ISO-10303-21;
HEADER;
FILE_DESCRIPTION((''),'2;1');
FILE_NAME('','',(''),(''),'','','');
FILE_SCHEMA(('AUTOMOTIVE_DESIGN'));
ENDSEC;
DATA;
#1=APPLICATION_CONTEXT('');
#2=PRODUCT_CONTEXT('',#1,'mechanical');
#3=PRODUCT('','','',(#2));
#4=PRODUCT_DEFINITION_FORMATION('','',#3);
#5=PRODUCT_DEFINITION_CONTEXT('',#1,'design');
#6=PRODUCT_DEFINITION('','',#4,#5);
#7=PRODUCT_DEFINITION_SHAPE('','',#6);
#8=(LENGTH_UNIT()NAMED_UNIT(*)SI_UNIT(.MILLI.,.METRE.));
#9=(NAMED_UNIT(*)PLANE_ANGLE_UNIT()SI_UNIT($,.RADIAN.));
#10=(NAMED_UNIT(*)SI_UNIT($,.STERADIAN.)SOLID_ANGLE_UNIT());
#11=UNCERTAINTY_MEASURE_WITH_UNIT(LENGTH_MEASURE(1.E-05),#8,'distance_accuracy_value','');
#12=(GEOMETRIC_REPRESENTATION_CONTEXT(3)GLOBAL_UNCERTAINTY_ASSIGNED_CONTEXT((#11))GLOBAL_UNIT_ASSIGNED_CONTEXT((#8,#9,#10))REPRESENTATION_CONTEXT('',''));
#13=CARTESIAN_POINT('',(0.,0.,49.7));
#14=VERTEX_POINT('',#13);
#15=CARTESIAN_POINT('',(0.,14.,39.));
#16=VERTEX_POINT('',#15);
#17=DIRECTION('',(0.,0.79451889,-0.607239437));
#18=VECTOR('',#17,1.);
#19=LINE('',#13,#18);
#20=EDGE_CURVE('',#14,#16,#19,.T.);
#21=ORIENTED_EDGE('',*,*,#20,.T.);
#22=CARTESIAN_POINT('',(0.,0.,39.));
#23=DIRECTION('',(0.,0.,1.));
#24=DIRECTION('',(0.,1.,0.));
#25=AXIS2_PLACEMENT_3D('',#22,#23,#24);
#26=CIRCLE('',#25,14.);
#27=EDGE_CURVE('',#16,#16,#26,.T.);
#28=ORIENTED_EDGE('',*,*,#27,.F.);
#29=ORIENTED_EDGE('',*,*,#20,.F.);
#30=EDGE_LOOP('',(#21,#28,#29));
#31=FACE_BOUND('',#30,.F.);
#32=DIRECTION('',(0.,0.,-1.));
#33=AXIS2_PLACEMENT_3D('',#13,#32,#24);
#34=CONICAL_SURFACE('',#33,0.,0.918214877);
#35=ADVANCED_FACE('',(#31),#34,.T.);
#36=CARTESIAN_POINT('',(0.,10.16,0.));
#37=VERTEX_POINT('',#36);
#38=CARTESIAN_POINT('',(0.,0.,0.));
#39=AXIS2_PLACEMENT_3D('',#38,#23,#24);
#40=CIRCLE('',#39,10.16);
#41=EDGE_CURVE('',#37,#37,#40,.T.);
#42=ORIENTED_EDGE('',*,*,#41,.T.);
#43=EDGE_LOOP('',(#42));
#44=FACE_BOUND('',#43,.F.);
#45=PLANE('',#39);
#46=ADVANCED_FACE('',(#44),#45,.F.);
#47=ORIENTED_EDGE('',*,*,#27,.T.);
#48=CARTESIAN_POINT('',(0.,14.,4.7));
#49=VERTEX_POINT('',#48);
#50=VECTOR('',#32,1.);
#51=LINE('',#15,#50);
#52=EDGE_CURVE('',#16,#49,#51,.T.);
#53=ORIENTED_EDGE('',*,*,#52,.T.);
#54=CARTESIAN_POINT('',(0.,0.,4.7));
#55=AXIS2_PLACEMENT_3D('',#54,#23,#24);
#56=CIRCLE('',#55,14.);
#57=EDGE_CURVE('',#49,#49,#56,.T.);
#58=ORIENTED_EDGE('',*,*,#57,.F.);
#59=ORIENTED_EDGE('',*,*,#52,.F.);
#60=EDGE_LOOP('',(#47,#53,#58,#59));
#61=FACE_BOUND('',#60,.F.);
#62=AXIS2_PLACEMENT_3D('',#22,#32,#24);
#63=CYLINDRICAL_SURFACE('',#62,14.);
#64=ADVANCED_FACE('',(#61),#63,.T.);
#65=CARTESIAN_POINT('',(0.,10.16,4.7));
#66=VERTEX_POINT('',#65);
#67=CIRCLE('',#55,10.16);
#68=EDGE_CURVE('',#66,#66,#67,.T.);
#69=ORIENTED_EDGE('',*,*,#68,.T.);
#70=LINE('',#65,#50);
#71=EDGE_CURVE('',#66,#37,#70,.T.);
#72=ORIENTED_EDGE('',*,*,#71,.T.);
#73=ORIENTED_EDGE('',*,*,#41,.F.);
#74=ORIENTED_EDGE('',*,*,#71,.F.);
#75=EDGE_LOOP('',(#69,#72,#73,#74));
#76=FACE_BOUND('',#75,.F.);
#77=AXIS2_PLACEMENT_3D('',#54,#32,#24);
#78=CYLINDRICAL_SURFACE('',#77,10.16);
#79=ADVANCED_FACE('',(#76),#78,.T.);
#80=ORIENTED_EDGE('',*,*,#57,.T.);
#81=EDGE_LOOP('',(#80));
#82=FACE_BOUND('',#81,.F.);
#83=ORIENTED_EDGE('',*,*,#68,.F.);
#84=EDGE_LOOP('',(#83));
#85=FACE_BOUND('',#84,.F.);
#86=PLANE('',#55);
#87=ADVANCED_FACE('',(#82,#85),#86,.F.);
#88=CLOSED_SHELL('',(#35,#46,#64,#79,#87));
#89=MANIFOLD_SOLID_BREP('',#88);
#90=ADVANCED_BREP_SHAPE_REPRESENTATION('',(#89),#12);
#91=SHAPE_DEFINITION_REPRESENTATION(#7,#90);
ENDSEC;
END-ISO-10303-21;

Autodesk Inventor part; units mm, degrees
ref_plane "YZ Plane" through (0, 0, 0) normal (1, 0, 0) x (0, 1, 0)
ref_plane "XZ Plane" through (0, 0, 0) normal (0, 1, 0) x (-1, 0, 0)
ref_plane "XY Plane" through (0, 0, 0) normal (0, 0, 1) x (1, 0, 0)
sketch "Sketch1" plane through (0, 0, 0) normal (1, 0, 0) x (0, 1, 0)
  line L0 (0, 0) -> (0, 49.7)
  line L1 (0, 0) -> (49.7, 0) construction
  line L2 (0, 49.7) -> (14, 39)
  line L3 (14, 39) -> (14, 4.7)
  line L4 (14, 4.7) -> (10.16, 4.7)
  line L5 (10.16, 4.7) -> (10.16, 0)
  line L6 (10.16, 0) -> (0, 0)
  dimension "d0" = 49.7
  dimension "d1" = 90
  dimension "d2" = 10.16
  dimension "d3" = 14
  dimension "d4" = 39
  dimension "d5" = 4.7
revolve "Revolution1" add sketch "Sketch1" angle 360 about axis through (0, 0, 0) along (0, 0, 1)
properties part number "00_Olympus_40_1.3oil"
